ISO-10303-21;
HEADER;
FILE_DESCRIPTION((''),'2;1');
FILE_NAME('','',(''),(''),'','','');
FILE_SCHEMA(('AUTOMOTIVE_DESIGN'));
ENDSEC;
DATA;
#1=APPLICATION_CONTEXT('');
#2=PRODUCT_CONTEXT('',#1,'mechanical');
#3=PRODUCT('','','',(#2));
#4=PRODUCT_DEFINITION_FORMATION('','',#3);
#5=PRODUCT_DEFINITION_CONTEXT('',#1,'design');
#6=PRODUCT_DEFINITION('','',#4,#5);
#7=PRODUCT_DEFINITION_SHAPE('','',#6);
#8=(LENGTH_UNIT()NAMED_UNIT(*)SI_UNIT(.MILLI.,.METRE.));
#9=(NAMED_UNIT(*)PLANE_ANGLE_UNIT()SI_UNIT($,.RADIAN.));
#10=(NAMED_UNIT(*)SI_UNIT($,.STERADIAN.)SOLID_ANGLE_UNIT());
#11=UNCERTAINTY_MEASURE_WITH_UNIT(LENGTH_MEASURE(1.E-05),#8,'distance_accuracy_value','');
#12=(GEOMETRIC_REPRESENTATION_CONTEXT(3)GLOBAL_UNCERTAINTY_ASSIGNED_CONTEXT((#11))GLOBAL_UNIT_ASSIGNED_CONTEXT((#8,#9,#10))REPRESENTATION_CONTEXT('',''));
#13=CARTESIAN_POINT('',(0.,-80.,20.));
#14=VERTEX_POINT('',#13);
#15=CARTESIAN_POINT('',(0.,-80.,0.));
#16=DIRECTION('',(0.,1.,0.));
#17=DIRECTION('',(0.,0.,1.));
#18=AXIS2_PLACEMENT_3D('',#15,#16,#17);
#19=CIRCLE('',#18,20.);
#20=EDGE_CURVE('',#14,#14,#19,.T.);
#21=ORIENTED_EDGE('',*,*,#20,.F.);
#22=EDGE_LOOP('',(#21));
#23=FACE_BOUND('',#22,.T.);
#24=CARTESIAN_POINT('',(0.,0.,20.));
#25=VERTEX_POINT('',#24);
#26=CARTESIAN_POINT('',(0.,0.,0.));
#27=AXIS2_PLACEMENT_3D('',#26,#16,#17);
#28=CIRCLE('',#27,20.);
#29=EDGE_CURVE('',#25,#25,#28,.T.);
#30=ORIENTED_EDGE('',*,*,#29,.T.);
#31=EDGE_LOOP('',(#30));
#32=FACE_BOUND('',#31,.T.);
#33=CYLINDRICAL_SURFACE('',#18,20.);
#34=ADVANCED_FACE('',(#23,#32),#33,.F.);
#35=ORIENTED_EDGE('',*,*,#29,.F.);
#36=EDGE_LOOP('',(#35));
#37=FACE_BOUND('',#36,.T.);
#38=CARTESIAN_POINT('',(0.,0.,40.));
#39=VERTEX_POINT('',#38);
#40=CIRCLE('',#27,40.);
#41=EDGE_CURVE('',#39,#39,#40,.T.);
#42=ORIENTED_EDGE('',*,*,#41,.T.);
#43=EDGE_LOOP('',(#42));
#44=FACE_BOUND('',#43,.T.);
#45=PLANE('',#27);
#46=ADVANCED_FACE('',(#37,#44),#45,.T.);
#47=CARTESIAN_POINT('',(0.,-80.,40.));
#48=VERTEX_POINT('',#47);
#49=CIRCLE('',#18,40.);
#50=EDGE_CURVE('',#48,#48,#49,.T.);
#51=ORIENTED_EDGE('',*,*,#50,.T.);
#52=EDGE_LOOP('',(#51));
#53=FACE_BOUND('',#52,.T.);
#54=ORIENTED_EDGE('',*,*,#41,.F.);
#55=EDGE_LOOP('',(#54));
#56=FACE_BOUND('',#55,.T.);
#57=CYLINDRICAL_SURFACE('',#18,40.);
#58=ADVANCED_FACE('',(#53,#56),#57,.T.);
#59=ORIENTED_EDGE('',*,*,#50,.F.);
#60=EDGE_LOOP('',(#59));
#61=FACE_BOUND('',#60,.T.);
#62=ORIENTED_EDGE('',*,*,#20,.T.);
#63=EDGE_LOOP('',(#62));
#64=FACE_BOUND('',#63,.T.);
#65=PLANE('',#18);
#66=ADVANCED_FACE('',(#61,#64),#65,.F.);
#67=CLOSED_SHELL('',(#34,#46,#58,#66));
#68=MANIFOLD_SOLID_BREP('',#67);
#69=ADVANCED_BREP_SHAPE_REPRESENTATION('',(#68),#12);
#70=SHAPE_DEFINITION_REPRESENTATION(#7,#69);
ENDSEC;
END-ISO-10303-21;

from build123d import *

# Parameters (mm, degrees)
SKETCH2_R           = 40
SKETCH2_R_2         = 20
BOSS_EXTRUDE1_DEPTH = 80


with BuildPart() as part:
    # Sketch2 → Boss-Extrude1 (new body)
    with BuildSketch(Plane(origin=(0, 0, 0), x_dir=(1, 0, 0), z_dir=(0, 1, 0))):
        with Locations(Location((0, 0, 0), (0, 0, 270))):
            Circle(SKETCH2_R)
        with Locations(Location((0, 0, 0), (0, 0, 270))):
            Circle(SKETCH2_R_2, mode=Mode.SUBTRACT)
    extrude(amount=-BOSS_EXTRUDE1_DEPTH)


solid = part.part
